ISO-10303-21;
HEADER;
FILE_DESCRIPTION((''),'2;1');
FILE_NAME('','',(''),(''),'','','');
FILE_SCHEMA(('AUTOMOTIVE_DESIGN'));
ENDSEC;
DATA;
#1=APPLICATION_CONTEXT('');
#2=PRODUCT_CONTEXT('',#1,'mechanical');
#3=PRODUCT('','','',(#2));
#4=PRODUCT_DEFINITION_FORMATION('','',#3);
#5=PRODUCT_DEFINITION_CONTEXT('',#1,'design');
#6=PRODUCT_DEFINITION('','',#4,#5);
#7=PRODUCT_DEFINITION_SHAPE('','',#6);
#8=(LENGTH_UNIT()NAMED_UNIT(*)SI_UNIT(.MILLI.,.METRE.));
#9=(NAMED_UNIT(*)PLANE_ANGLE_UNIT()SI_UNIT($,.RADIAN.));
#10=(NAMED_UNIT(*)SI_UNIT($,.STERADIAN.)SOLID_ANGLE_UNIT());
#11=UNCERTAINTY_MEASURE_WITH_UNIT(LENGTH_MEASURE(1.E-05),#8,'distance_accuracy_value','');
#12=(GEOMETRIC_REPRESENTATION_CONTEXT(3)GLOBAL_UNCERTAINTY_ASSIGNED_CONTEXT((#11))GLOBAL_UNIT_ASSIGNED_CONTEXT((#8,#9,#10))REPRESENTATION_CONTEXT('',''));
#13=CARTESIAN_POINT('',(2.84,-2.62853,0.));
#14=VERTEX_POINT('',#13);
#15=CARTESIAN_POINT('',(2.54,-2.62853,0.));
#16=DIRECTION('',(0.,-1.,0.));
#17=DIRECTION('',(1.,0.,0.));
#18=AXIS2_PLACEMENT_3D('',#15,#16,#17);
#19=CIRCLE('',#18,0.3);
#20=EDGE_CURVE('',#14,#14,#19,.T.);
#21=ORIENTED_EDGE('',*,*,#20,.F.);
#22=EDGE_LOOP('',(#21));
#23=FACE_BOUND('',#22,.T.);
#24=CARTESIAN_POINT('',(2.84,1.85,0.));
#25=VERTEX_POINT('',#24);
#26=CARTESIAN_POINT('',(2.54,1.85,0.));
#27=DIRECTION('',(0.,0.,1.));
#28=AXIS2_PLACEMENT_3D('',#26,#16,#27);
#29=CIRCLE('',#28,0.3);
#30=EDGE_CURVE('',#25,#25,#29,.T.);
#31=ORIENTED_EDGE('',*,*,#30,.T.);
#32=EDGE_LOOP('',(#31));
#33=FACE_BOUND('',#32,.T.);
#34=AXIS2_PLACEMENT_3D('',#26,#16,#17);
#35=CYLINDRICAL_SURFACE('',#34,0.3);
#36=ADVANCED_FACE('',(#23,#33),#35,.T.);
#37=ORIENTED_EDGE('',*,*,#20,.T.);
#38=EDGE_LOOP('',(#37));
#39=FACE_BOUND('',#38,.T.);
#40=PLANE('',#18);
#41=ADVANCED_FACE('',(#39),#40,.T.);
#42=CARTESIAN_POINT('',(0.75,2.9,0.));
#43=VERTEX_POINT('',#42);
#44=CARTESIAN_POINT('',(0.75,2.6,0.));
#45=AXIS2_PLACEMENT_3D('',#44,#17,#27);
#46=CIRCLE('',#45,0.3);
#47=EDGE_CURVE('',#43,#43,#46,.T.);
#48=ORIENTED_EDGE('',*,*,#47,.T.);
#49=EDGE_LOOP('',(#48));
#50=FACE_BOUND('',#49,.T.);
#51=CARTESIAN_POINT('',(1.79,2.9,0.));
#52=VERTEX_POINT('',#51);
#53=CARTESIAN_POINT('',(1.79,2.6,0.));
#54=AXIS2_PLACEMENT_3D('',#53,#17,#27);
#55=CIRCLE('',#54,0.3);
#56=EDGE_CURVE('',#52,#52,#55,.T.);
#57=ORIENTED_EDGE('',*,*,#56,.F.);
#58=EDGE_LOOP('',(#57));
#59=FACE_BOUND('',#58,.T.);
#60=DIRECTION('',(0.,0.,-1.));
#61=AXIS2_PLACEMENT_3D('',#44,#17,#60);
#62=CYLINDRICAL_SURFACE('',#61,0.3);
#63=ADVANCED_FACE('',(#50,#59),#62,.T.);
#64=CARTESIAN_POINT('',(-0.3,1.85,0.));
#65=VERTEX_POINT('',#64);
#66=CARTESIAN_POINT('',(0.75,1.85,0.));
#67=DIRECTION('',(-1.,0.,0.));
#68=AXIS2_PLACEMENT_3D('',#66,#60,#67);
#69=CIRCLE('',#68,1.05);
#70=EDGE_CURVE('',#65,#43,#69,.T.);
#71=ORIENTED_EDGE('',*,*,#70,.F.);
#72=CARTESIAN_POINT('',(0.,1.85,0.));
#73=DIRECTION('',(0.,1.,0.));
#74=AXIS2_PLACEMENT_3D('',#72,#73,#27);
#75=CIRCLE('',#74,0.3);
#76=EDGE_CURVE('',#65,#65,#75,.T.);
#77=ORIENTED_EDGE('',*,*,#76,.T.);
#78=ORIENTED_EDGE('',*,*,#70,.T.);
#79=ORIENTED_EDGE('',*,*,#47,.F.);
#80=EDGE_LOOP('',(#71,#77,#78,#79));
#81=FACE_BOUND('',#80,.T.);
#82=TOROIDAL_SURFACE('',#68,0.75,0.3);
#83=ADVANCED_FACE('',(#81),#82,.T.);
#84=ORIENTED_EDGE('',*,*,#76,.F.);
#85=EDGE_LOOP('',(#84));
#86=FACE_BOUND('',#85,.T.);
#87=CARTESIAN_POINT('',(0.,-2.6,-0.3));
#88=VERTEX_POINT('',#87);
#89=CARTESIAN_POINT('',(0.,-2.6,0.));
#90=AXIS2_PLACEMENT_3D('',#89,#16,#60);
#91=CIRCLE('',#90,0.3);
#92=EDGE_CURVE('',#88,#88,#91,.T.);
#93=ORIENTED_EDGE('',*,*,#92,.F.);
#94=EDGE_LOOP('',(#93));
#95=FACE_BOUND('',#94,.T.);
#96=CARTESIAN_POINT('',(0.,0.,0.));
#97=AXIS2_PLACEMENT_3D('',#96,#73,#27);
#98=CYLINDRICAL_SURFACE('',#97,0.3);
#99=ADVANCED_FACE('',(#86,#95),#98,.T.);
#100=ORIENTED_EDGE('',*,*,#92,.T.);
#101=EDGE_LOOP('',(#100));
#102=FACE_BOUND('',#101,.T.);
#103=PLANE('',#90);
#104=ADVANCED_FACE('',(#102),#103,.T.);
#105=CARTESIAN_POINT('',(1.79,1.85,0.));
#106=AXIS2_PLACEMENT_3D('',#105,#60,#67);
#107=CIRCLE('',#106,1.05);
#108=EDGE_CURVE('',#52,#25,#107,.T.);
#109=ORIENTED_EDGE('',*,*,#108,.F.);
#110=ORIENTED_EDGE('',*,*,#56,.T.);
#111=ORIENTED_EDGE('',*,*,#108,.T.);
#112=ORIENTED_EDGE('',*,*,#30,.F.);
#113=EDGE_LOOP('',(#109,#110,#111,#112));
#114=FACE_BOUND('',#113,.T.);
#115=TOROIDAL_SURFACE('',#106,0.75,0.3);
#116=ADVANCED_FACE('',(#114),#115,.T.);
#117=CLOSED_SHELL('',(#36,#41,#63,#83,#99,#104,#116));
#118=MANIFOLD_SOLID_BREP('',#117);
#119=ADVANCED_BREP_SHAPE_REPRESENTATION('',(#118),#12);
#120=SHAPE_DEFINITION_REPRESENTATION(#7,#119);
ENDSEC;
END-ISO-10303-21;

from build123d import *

# Parameters (mm, degrees)
SKETCH2_R           = 0.3
SKETCH4_R           = 0.3
BOSS_EXTRUDE1_DEPTH = 2.6
BOSS_EXTRUDE2_START = 2.6
SKETCH5_R           = 0.3
BOSS_EXTRUDE2_DEPTH = 2.6


with BuildPart() as part:
    # Sweep1: sweep along a path in Sketch1
    with BuildLine(Plane.XY) as sweep1_path:
        Line((0, 0), (0, 1.85))
        ThreePointArc((0, 1.85), (0.219669914, 2.380330086), (0.75, 2.6))
        Line((0.75, 2.6), (1.79, 2.6))
        ThreePointArc((1.79, 2.6), (2.320330086, 2.380330086), (2.54, 1.85))
        Line((2.54, 1.85), (2.54, -0.028529553))
    # Sketch2 → Sweep1 (sweep)
    with BuildSketch(Plane(origin=(0, 0, 0), x_dir=(1, 0, 0), z_dir=(0, 1, 0))):
        Circle(SKETCH2_R)
    sweep(path=sweep1_path.line)

    # Sketch4 → Boss-Extrude1 (add)
    with BuildSketch(Plane.XZ):
        with Locations(Location((0, 0, 0), (0, 0, 180))):
            Circle(SKETCH4_R)
    extrude(amount=BOSS_EXTRUDE1_DEPTH)

    # Sketch5 → Boss-Extrude2 (add)
    with BuildSketch(Plane.XZ.offset(0.028529553).offset(BOSS_EXTRUDE2_START)):
        with Locations((2.54, 0)):
            Circle(SKETCH5_R)
    extrude(amount=-BOSS_EXTRUDE2_DEPTH)


solid = part.part
